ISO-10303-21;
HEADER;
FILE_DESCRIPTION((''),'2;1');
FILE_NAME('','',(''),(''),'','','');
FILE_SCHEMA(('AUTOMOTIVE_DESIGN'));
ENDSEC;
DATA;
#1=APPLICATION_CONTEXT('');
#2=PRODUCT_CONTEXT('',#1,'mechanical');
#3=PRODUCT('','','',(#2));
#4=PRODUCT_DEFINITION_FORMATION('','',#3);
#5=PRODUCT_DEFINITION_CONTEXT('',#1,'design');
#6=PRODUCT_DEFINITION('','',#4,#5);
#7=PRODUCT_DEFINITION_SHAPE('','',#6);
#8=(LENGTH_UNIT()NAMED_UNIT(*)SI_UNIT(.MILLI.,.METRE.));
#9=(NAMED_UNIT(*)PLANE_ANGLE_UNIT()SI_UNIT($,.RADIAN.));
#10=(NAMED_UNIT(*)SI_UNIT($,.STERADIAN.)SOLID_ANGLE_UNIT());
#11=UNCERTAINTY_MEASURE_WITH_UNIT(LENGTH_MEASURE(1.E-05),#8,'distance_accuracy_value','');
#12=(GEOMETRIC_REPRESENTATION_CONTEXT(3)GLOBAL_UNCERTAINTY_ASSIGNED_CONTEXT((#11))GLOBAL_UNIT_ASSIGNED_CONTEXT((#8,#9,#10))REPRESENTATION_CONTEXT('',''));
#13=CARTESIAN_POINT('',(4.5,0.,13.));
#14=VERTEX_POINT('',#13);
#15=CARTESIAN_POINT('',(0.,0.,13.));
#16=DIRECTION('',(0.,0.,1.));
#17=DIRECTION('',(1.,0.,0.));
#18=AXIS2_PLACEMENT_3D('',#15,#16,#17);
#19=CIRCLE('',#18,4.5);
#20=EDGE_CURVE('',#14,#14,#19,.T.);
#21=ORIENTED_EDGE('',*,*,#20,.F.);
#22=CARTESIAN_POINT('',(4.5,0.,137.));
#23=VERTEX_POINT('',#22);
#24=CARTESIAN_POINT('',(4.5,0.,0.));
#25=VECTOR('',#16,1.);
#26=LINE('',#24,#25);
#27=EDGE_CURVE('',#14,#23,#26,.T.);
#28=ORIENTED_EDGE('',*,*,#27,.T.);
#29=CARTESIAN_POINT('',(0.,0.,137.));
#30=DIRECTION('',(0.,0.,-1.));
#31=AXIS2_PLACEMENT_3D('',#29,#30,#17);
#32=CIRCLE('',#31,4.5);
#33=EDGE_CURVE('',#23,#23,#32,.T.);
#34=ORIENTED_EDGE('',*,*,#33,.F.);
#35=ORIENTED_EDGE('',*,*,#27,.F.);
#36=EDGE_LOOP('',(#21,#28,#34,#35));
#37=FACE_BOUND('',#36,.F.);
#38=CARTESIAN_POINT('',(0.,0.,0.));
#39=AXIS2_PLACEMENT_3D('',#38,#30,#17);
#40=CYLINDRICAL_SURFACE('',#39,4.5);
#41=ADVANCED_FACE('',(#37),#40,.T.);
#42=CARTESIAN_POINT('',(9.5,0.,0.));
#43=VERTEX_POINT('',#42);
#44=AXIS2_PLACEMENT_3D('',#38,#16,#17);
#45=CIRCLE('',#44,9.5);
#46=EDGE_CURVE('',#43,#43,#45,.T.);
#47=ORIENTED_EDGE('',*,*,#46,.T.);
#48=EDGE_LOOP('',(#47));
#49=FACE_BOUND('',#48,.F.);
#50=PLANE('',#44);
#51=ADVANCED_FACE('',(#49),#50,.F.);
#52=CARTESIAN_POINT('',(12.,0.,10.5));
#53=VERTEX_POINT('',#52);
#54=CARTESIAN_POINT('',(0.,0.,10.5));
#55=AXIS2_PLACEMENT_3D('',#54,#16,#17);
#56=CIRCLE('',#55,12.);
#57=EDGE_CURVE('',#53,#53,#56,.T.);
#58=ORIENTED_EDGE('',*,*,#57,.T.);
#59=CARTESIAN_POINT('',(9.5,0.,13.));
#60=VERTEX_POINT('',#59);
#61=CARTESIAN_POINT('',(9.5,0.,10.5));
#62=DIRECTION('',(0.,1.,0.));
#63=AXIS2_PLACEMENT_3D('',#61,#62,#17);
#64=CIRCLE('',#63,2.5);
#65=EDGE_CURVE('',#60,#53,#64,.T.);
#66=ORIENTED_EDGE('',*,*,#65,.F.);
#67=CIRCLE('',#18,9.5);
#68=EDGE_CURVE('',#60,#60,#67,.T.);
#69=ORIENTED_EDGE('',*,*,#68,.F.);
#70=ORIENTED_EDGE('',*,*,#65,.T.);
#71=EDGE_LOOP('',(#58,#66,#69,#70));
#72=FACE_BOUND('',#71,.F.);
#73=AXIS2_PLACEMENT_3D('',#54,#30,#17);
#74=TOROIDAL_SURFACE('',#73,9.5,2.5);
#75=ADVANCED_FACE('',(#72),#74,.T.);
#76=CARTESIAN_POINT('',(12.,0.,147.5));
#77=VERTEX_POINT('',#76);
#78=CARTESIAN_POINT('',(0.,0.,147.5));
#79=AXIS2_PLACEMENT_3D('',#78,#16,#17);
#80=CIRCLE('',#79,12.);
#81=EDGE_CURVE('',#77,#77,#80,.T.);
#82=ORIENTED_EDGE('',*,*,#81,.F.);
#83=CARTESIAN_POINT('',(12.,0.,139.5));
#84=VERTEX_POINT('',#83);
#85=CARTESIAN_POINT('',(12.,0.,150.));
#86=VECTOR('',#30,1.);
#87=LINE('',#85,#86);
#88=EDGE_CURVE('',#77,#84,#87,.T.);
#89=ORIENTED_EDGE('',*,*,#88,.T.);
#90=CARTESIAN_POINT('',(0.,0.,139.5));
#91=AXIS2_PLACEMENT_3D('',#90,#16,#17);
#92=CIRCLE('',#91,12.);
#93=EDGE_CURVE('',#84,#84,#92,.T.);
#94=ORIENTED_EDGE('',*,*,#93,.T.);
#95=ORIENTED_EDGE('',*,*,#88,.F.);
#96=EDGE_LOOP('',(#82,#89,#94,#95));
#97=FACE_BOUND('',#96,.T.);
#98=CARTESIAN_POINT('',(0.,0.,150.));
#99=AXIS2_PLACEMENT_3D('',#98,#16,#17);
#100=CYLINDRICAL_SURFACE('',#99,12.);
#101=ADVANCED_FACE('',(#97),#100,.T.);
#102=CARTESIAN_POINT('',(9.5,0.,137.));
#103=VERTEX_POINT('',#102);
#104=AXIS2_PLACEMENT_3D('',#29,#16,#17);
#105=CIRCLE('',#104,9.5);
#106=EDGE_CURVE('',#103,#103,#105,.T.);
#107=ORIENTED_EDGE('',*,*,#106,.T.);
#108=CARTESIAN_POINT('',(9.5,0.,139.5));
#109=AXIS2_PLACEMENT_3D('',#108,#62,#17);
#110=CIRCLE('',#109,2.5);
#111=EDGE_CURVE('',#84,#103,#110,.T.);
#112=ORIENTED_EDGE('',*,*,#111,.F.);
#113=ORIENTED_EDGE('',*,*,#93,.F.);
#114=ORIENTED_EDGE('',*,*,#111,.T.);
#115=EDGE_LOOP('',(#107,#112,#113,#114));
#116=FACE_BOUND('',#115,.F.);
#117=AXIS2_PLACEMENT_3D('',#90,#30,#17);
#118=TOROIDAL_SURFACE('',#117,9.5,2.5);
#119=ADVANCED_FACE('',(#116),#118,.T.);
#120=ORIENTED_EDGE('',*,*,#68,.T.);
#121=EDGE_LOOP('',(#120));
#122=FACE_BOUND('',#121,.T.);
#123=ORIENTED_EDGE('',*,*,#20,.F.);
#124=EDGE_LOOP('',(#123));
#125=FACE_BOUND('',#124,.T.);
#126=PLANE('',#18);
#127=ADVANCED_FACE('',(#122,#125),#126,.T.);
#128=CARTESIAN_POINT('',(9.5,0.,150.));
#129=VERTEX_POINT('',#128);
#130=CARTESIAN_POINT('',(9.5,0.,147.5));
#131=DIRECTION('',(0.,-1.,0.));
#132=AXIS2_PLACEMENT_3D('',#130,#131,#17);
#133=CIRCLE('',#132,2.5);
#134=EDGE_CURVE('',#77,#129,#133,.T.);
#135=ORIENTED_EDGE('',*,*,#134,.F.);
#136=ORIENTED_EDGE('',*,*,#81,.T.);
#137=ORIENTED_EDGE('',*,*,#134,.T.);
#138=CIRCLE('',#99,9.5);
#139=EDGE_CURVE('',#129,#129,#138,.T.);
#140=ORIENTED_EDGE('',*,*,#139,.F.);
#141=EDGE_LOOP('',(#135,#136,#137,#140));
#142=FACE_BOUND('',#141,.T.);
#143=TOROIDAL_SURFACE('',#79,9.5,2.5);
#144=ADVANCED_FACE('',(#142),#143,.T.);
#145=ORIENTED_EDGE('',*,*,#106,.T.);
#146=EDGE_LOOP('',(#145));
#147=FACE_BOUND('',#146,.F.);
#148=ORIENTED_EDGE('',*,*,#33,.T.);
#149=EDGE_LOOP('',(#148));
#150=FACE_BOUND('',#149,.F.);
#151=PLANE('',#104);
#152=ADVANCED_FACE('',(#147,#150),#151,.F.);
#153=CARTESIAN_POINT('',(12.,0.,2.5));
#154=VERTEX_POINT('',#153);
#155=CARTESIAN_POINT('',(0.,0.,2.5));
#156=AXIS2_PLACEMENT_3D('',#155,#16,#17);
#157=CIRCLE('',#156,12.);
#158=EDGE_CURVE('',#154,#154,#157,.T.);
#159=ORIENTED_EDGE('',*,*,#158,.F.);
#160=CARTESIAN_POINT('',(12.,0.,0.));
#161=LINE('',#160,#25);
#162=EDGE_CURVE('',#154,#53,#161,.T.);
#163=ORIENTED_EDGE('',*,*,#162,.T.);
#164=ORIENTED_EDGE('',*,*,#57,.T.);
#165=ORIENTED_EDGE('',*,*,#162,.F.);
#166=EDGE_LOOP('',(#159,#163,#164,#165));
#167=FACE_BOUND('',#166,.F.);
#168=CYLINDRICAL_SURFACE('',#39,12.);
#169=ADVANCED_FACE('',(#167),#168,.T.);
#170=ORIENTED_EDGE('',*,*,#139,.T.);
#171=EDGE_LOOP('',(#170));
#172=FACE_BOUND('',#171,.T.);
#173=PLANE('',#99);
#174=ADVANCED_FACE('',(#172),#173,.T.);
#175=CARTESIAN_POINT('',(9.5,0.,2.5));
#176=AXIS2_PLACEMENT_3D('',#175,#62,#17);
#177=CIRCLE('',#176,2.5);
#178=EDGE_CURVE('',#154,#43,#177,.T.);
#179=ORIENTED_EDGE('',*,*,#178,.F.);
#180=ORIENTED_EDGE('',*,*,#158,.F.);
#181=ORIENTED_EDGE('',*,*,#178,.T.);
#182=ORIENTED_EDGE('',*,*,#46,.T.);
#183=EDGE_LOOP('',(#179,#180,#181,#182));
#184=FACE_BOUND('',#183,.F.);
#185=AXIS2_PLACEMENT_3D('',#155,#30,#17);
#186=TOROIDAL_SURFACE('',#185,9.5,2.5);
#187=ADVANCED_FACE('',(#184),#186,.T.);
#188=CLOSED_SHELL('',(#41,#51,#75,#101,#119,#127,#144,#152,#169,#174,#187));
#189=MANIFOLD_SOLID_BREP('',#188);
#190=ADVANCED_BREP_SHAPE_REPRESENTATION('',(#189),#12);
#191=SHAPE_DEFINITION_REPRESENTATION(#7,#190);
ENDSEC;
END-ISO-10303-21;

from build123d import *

# Parameters (mm, degrees)
F0_R     = 4.5
F1_DEPTH = 150
F0_R_2   = 12
F2_DEPTH = 13
F3_R     = 12
F4_DEPTH = 13
F5_R     = 2.5


with BuildPart() as f1:
    # F0 (on Top) → F1 (new body)
    with BuildSketch(Plane.XY):
        Circle(F0_R)
    extrude(amount=F1_DEPTH)

    # F0 (on Top) → F2 (join)
    with BuildSketch(Plane.XY):
        Circle(F0_R_2)
        Circle(F0_R, mode=Mode.SUBTRACT)
    extrude(amount=F2_DEPTH)

    # F3 (on face) → F4 (join)
    with BuildSketch(Plane.XY.offset(150)):
        Circle(F3_R)
    extrude(amount=-F4_DEPTH)

    # F5
    f5_edges = [f1.edges().sort_by_distance(p)[0] for p in [
        (-12, 0, 150),
        (-12, 0, 137),
        (-12, 0, 13),
        (-12, 0, 0),
    ]]
    fillet(f5_edges, radius=F5_R)


solid = f1.part
